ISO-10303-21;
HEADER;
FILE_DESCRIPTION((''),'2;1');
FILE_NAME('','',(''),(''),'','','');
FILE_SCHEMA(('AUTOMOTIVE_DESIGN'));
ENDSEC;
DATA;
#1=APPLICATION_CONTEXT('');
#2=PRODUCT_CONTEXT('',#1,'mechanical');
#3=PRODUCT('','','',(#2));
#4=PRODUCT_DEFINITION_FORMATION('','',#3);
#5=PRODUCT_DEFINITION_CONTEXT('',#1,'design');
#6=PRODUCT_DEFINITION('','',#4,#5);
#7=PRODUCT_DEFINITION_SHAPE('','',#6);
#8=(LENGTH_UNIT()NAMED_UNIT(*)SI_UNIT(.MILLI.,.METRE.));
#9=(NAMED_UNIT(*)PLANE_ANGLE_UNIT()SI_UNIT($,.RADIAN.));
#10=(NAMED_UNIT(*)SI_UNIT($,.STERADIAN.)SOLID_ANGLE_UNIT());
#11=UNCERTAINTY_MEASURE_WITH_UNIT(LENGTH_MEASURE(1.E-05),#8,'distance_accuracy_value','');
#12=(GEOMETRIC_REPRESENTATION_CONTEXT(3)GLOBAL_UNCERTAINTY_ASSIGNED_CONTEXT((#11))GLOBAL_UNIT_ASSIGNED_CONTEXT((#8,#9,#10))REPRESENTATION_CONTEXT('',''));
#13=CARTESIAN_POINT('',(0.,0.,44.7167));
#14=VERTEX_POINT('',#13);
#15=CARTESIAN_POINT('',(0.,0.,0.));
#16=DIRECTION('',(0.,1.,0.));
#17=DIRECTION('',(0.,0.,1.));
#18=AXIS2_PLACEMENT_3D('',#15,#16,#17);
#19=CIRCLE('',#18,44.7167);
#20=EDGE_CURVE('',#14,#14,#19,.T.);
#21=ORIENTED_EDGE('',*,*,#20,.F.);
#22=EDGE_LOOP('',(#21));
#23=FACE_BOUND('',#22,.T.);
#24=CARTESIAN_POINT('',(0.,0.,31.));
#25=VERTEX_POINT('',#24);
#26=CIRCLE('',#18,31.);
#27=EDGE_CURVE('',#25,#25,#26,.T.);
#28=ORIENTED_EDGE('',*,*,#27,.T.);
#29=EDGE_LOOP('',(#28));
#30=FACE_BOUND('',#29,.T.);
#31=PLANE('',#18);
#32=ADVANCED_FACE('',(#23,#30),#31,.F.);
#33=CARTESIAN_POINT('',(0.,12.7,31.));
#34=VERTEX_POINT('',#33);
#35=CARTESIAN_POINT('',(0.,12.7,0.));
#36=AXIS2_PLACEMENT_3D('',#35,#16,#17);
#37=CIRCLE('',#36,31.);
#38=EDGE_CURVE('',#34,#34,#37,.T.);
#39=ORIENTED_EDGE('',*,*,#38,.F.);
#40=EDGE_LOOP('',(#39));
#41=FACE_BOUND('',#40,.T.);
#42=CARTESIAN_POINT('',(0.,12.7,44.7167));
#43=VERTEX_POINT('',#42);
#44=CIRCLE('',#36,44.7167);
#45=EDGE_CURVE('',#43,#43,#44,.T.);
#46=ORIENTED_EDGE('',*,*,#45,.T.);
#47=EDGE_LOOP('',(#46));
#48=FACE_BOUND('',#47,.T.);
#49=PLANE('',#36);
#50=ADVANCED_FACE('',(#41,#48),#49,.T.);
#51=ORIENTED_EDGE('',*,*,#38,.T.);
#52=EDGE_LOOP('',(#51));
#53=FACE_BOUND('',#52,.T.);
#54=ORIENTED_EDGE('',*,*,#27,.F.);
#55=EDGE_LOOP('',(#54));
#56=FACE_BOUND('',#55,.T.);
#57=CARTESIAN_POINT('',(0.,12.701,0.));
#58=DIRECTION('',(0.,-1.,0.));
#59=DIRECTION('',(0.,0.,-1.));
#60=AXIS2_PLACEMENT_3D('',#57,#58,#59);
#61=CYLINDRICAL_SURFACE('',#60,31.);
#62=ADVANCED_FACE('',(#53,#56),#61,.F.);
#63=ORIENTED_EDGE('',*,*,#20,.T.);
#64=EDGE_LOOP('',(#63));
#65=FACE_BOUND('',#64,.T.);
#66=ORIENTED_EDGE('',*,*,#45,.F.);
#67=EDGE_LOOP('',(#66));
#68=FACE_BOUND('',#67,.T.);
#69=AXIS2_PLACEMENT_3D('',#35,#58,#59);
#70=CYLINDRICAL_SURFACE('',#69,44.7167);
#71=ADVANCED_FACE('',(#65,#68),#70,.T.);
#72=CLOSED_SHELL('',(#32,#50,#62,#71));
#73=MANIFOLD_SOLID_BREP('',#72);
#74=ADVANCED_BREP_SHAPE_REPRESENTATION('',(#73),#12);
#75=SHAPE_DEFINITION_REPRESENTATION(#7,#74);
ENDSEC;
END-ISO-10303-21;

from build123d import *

# Parameters (mm, degrees)
SKETCH1_R           = 44.7167
BOSS_EXTRUDE1_DEPTH = 12.7
CUT_EXTRUDE1_REACH  = 66.502
SKETCH3_R           = 31


with BuildPart() as part:
    # Sketch1 → Boss-Extrude1 (new body)
    with BuildSketch(Plane(origin=(0, 0, 0), x_dir=(1, 0, 0), z_dir=(0, 1, 0))):
        with Locations(Location((0, 0, 0), (0, 0, 270))):
            Circle(SKETCH1_R)
    extrude(amount=BOSS_EXTRUDE1_DEPTH)

    # Sketch3 → Cut-Extrude1 (cut, up to next)
    with BuildSketch(Plane(origin=(0, 0, 0), x_dir=(1, 0, 0), z_dir=(0, 1, 0)), mode=Mode.PRIVATE) as cut_extrude1_sk1:
        with Locations(Location((0, 0, 0), (0, 0, 270))):
            Circle(SKETCH3_R)
    cut_extrude1_tool1 = extrude(cut_extrude1_sk1.sketch, amount=CUT_EXTRUDE1_REACH, mode=Mode.PRIVATE) & part.part
    add(cut_extrude1_tool1.solids().sort_by_distance((0, 0, 0))[0], mode=Mode.SUBTRACT)


solid = part.part
